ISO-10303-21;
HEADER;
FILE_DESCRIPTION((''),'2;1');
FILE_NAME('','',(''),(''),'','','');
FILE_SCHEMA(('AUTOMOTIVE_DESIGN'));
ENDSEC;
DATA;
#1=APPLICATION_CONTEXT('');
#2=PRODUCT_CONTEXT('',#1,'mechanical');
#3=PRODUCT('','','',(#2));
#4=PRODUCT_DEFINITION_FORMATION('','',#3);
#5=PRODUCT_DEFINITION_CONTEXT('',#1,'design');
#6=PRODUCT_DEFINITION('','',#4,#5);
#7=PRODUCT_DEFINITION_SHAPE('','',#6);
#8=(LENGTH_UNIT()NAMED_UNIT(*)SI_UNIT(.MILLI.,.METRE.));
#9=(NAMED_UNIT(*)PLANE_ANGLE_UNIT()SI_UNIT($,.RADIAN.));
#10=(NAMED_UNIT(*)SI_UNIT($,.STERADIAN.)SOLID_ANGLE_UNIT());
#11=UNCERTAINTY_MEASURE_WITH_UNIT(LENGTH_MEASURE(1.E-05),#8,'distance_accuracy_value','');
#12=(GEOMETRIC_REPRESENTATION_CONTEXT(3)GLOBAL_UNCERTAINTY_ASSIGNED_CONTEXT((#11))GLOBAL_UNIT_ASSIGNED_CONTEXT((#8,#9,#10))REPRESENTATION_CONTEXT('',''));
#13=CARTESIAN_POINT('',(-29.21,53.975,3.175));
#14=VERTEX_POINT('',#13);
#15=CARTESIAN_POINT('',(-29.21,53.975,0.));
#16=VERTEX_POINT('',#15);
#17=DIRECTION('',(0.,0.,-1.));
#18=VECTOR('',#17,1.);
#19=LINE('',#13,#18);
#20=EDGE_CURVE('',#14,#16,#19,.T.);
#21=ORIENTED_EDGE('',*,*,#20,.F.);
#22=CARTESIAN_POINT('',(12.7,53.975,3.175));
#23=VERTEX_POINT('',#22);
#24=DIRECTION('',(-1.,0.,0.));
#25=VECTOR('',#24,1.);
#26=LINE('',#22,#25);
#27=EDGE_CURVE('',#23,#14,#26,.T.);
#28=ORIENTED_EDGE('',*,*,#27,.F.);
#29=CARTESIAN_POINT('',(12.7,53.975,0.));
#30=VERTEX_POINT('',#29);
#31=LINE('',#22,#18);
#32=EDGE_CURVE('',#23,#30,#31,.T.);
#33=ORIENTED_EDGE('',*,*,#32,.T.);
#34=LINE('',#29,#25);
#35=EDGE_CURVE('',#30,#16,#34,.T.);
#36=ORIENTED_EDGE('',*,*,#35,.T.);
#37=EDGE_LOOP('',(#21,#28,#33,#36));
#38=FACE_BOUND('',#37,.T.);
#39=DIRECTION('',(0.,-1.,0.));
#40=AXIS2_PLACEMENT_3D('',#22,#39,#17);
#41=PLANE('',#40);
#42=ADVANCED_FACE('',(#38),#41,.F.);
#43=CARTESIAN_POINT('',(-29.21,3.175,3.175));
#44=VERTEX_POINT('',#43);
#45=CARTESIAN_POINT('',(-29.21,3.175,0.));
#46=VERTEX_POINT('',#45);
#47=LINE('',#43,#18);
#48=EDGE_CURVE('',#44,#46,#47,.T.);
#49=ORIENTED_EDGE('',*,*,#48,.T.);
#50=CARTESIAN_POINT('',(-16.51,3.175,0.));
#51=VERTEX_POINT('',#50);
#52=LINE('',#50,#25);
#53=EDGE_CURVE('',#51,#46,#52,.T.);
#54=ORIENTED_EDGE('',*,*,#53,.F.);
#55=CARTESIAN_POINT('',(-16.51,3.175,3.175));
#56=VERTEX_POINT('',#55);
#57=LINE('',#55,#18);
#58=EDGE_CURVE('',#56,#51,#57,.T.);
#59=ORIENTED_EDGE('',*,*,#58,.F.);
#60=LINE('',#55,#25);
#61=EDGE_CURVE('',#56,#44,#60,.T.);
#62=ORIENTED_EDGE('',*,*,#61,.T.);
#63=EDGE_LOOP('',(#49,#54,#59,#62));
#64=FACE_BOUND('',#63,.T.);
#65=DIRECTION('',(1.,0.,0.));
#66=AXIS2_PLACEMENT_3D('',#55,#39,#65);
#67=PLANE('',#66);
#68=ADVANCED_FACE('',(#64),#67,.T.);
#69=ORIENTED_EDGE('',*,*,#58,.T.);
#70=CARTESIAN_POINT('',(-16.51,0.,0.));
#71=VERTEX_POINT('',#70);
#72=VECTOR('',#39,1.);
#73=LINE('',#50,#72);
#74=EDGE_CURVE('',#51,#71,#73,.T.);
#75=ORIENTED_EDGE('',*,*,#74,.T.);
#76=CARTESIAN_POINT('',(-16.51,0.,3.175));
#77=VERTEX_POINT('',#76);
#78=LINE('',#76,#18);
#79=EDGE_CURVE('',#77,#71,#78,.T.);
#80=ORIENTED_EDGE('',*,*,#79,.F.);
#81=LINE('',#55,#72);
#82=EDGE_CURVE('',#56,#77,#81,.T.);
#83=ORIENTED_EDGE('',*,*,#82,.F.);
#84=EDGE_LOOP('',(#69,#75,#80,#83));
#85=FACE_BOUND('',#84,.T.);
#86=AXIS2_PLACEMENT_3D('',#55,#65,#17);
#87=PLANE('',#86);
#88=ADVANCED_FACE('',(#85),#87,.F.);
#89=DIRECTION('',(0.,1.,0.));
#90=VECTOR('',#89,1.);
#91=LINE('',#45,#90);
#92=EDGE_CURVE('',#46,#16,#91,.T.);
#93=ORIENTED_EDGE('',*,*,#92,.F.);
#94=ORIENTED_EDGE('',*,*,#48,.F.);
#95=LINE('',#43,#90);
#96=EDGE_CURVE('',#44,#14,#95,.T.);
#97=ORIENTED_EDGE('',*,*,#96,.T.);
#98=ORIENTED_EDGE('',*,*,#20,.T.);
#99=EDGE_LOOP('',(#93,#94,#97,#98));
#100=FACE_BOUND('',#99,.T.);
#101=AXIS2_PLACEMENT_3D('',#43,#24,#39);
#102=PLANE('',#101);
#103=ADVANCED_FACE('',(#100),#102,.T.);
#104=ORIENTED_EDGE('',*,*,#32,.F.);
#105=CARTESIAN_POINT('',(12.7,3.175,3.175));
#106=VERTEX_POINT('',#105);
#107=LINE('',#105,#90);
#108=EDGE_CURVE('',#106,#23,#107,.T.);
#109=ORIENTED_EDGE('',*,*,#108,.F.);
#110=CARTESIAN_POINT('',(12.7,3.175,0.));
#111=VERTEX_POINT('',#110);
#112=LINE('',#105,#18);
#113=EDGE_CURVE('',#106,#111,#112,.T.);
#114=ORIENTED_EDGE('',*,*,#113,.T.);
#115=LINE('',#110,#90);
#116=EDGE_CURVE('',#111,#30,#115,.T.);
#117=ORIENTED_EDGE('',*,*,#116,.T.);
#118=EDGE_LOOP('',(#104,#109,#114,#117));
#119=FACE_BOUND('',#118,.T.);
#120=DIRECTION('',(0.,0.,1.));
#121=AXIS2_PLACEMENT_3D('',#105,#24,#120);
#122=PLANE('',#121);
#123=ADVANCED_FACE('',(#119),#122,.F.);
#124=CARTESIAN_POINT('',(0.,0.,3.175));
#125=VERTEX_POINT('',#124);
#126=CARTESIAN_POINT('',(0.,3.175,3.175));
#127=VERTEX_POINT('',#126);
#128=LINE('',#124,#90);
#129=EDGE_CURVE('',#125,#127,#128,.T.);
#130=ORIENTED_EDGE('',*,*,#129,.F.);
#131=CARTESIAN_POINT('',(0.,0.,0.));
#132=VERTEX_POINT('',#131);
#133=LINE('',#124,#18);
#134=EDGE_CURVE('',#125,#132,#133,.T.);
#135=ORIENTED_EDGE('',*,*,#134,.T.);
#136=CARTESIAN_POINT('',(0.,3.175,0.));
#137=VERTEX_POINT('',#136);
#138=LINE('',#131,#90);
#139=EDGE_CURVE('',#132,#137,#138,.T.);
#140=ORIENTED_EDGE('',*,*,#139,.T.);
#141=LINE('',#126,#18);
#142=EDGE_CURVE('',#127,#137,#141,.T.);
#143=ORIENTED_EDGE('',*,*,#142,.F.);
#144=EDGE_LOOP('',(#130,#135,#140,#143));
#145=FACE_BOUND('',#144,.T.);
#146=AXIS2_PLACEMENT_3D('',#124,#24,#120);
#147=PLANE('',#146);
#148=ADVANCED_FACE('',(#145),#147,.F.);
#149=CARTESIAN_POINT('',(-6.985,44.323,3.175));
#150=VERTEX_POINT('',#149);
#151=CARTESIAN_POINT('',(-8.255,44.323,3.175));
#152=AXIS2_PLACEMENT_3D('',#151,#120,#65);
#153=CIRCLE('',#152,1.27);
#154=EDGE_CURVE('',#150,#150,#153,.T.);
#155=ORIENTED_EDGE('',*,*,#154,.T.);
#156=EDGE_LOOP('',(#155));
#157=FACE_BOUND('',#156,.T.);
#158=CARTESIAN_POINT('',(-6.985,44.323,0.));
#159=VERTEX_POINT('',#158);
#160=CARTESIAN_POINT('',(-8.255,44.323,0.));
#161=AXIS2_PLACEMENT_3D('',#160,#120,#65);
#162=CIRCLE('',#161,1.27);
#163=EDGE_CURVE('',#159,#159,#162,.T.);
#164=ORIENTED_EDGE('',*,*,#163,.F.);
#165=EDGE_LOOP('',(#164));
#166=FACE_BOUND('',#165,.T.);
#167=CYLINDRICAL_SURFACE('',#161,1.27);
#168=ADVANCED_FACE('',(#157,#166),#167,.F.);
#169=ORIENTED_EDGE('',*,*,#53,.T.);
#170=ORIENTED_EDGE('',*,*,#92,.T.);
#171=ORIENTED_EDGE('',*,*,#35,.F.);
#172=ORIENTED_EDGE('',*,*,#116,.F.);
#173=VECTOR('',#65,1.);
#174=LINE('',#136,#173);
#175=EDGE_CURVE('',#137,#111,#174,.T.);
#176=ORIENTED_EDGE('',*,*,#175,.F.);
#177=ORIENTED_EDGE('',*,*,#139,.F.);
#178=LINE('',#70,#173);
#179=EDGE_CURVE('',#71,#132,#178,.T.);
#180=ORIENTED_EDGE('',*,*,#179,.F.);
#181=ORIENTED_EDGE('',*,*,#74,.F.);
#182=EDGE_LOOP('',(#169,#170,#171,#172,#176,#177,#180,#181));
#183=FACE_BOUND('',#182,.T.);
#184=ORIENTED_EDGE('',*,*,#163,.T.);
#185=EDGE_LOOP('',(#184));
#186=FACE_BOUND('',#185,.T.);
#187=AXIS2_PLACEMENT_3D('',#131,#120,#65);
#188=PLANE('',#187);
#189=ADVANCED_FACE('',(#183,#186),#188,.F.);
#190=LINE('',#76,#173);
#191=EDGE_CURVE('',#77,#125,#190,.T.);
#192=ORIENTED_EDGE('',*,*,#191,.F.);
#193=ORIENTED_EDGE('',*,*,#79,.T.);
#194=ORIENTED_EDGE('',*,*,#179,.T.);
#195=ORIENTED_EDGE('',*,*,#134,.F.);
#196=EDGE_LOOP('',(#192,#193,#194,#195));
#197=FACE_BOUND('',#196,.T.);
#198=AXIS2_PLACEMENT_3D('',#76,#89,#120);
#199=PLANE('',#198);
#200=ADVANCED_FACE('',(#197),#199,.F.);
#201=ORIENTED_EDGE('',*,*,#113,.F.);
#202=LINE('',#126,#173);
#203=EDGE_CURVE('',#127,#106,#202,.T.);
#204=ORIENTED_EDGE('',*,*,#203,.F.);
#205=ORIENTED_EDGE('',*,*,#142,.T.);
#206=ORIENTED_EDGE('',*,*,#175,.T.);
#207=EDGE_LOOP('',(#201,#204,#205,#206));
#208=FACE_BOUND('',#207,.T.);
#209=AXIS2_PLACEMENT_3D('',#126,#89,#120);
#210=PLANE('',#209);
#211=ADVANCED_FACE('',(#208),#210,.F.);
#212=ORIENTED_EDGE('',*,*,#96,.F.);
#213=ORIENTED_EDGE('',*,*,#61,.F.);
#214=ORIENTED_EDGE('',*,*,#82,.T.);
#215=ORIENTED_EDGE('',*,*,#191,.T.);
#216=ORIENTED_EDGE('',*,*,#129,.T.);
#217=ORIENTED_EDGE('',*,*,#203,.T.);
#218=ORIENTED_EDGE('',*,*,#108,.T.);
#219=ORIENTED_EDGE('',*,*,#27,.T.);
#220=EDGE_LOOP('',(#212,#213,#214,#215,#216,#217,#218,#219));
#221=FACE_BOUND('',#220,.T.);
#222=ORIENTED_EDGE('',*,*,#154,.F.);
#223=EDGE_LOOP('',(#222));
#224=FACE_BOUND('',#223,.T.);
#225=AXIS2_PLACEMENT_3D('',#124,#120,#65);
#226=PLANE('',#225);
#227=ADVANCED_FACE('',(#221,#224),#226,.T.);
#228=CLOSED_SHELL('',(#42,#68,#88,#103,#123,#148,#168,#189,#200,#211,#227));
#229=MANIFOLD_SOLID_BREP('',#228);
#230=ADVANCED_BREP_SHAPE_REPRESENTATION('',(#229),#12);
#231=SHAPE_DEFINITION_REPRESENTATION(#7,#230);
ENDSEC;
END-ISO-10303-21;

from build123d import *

# Parameters (mm, degrees)
BOSS_EXTRUDE1_DEPTH = 3.175
SKETCH3_R           = 1.27
CUT_EXTRUDE1_DEPTH  = 62.454091402


with BuildPart() as part:
    # Sketch2 → Boss-Extrude1 (new body)
    with BuildSketch(Plane.XY):
        Polygon((-16.51, 0), (0, 0), (0, 3.175), (12.7, 3.175), (12.7, 53.975), (-29.21, 53.975), (-29.21, 3.175), (-16.51, 3.175), align=None)
    extrude(amount=BOSS_EXTRUDE1_DEPTH)

    # Sketch3 → Cut-Extrude1 (cut, through all)
    with BuildSketch(Plane.XY.offset(3.175)):
        with Locations((-8.255, 44.323)):
            Circle(SKETCH3_R)
    extrude(amount=-CUT_EXTRUDE1_DEPTH, mode=Mode.SUBTRACT)


solid = part.part
